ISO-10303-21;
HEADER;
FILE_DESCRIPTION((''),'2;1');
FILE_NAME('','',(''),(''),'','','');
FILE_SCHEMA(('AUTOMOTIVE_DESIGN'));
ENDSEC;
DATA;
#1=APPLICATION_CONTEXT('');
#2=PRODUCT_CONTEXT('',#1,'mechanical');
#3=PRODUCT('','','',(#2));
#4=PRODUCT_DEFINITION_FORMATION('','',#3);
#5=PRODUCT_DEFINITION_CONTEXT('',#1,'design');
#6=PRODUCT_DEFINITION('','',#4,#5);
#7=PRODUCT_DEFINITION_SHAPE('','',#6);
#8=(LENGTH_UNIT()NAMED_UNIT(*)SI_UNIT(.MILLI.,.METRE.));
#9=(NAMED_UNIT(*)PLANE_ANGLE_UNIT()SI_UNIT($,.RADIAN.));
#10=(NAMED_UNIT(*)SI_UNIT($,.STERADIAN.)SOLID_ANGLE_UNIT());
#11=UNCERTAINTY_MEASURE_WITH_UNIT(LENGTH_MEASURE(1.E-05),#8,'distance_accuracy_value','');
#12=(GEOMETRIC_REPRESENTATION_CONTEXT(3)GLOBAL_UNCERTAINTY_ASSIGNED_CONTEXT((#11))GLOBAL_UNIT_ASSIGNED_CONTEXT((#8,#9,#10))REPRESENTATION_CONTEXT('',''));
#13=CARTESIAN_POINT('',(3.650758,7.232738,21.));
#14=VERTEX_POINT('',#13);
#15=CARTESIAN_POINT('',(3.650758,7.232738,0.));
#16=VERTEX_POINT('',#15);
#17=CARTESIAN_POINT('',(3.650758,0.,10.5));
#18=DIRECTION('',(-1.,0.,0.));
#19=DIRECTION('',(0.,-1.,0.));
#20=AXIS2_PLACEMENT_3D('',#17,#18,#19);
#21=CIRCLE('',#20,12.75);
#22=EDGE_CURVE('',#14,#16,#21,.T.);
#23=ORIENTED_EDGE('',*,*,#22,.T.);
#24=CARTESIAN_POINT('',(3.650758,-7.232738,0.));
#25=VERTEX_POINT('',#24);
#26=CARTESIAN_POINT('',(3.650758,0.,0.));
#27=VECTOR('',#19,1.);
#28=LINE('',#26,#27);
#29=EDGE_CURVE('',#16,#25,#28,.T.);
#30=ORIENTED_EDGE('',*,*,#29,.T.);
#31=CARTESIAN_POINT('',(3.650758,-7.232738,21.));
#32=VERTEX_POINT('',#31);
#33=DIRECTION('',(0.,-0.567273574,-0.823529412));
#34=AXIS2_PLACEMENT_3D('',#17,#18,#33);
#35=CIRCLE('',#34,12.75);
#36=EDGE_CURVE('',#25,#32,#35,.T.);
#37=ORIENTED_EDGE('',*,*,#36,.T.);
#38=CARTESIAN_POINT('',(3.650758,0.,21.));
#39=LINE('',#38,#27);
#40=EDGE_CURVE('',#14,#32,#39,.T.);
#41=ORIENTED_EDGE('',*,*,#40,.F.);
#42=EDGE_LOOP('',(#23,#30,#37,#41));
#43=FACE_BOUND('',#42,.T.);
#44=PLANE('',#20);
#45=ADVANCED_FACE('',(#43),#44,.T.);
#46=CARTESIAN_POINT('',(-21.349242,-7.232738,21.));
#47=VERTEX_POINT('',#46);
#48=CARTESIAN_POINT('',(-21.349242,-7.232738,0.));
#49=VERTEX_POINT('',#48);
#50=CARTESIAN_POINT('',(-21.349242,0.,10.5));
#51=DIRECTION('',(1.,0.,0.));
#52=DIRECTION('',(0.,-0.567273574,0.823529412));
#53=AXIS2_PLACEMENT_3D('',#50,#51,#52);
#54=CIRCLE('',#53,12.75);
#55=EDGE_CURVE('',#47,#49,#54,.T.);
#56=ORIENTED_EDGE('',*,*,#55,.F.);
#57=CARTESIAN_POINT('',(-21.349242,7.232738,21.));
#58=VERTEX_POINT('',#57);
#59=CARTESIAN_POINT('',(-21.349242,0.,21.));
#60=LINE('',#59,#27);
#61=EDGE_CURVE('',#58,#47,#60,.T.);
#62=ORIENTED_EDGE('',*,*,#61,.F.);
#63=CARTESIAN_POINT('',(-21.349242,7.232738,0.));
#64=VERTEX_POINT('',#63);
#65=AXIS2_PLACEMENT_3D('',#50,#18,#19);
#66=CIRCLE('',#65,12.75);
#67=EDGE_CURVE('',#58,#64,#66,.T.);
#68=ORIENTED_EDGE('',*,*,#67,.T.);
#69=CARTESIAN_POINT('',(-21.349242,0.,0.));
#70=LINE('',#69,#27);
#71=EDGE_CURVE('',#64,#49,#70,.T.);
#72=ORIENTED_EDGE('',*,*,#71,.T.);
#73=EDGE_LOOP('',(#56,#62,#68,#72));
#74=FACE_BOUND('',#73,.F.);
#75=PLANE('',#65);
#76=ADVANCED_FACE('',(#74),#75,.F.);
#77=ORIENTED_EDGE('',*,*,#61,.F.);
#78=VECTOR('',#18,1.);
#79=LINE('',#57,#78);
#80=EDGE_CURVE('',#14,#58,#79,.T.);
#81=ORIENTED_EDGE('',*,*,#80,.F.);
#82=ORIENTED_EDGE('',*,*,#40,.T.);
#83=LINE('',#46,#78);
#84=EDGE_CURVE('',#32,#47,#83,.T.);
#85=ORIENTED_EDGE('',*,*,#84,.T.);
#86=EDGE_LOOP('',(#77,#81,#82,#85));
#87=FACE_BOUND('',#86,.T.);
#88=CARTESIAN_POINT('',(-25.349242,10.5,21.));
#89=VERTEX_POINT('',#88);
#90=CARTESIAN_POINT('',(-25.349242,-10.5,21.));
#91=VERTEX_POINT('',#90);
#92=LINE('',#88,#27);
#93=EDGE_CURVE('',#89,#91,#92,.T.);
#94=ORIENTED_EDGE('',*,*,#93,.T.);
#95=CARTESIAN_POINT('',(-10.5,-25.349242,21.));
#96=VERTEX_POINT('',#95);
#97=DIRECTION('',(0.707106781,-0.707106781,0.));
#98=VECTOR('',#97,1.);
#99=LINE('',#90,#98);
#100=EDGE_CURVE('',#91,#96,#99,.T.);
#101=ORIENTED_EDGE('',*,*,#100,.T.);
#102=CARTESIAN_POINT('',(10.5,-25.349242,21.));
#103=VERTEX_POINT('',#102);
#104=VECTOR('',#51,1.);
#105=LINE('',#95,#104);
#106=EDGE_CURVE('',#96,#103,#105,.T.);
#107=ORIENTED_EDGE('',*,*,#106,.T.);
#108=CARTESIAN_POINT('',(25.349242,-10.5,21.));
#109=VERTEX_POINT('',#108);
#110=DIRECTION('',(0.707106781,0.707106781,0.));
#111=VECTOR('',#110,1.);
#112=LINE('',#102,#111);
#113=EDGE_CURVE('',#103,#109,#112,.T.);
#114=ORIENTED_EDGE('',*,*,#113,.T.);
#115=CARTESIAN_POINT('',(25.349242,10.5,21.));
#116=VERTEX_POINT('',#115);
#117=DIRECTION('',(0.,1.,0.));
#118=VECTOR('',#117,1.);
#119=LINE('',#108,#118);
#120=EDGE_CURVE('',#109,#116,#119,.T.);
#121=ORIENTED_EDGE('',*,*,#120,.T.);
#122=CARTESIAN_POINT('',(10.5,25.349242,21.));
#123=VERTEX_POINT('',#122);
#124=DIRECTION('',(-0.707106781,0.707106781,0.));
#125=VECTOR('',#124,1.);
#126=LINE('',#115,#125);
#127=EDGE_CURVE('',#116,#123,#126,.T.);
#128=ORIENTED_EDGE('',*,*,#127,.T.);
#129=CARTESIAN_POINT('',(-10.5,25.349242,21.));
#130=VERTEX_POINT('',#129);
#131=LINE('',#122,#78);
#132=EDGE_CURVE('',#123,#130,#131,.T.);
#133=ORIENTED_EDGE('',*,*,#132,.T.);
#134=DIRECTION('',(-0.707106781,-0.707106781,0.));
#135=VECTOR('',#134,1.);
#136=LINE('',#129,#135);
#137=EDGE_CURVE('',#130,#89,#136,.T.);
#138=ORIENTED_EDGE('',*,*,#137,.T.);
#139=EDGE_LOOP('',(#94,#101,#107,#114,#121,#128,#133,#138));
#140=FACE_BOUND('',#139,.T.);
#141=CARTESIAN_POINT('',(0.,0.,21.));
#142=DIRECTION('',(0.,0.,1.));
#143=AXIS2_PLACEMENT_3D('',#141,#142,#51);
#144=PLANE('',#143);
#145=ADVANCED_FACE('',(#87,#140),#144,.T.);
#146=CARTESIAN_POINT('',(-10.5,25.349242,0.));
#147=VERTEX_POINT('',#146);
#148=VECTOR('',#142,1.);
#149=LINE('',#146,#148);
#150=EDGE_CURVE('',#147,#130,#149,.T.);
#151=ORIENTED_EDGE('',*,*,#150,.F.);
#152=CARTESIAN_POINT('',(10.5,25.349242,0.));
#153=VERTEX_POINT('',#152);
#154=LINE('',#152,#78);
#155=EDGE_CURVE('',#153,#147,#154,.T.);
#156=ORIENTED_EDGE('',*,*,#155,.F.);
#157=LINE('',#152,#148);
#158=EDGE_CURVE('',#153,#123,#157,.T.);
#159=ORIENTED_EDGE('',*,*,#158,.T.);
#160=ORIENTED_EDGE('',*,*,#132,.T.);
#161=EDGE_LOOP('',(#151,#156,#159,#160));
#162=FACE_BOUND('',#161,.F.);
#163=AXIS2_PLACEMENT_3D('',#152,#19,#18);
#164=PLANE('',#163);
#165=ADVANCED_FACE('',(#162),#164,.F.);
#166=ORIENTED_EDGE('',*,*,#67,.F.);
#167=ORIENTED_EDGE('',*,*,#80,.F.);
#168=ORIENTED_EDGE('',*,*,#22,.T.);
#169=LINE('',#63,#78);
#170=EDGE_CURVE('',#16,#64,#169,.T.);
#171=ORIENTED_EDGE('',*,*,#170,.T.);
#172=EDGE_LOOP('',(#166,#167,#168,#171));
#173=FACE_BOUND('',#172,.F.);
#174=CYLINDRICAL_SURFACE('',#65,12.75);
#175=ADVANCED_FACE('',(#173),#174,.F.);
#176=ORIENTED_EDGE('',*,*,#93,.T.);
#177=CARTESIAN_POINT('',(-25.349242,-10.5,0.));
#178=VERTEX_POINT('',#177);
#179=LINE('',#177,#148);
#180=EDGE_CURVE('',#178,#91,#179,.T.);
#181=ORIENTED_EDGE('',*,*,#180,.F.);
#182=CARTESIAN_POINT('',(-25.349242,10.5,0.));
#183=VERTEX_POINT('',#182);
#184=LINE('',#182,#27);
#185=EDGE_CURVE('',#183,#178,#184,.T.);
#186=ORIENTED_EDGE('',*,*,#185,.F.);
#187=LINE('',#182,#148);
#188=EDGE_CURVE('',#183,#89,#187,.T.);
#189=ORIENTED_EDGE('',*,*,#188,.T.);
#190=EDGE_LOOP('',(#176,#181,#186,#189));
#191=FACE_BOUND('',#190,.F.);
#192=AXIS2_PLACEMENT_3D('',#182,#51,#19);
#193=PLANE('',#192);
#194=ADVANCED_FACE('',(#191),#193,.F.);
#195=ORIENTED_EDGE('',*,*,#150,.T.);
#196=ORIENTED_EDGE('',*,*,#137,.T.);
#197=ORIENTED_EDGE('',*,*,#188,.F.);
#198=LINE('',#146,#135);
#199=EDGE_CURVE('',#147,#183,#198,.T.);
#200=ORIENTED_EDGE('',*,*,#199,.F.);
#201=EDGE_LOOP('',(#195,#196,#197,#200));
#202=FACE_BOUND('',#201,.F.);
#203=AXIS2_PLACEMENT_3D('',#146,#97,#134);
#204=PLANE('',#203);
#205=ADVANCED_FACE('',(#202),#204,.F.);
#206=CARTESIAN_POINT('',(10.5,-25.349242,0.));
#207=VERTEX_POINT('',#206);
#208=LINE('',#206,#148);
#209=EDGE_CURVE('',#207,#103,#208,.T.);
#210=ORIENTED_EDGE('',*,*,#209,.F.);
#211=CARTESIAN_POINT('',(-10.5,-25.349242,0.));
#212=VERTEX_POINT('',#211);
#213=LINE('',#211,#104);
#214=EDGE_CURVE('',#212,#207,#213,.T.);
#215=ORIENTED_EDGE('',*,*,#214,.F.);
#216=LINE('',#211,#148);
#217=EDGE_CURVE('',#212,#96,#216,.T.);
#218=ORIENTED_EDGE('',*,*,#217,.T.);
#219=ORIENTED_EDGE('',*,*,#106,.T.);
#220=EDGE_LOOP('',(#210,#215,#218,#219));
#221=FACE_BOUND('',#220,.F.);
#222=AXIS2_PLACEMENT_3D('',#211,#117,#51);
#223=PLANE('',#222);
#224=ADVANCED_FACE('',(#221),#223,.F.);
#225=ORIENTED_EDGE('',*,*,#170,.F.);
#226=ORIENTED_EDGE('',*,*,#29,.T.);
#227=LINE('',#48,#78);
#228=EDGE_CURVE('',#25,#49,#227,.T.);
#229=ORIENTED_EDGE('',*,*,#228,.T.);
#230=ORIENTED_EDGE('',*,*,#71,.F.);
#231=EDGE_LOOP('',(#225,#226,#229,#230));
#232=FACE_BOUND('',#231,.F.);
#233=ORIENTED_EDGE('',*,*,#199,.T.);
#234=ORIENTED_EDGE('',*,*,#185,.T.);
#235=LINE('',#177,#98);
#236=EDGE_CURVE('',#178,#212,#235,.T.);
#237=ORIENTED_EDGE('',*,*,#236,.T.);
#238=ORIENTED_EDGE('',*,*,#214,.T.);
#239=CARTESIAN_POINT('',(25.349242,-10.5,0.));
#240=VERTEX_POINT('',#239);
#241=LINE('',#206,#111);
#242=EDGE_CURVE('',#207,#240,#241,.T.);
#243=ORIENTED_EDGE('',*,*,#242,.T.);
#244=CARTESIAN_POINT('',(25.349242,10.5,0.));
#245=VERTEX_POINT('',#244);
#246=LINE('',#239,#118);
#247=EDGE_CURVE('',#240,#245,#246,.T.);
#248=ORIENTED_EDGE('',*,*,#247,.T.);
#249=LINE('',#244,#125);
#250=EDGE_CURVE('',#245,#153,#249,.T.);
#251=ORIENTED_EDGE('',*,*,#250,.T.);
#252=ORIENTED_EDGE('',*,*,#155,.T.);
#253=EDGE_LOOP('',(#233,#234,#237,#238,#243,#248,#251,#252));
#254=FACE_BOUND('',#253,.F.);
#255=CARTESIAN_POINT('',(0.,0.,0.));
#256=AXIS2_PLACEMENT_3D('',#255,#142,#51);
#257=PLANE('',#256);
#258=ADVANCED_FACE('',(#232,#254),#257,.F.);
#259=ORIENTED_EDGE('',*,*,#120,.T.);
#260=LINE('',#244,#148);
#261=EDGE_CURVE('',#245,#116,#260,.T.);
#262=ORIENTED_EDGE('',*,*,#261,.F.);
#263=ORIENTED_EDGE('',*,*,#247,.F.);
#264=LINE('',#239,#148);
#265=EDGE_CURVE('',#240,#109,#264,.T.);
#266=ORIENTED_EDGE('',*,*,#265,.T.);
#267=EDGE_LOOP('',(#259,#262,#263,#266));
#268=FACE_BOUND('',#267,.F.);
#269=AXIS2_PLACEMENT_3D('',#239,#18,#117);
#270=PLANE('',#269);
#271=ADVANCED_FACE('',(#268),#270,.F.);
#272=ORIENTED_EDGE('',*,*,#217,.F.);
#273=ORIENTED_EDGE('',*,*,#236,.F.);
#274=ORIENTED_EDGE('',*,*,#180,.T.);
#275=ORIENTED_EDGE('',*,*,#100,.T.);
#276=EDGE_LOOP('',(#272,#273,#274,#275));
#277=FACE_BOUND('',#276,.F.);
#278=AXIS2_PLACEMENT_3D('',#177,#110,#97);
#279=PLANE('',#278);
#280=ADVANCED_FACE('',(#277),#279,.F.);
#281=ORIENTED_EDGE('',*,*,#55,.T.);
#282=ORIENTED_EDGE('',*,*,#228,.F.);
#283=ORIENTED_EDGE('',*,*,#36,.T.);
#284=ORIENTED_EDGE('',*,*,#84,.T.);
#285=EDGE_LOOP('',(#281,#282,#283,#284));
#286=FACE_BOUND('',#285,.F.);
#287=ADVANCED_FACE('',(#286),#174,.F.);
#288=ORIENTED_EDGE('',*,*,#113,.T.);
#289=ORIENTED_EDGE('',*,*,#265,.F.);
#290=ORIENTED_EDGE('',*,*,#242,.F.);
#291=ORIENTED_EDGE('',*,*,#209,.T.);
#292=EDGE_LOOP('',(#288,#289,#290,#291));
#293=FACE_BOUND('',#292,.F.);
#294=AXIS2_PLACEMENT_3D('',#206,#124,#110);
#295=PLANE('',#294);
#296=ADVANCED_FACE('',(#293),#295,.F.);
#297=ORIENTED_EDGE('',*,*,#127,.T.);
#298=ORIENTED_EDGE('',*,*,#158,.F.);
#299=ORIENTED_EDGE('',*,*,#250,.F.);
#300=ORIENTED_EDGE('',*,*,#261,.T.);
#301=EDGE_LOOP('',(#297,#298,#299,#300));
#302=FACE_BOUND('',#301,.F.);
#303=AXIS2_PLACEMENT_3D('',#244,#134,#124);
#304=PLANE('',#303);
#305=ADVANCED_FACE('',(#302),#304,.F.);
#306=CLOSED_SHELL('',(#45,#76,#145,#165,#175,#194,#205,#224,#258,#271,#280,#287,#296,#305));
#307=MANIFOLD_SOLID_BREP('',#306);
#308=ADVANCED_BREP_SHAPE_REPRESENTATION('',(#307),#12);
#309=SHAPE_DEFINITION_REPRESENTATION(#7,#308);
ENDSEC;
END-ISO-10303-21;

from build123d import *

# Parameters (mm, degrees)
F0_W     = 25
F0_H     = 25
F1_DEPTH = 21
F3_START = -4
F2_R     = 12.75
F3_DEPTH = 25


with BuildPart() as f1:
    # F0 (on Top) → F1 (new body)
    with BuildSketch(Plane.XY):
        Polygon((25.3492424049, -10.5), (25.3492424049, 10.5), (10.5, 25.3492424049), (-10.5, 25.3492424049), (-25.3492424049, 10.5), (-25.3492424049, -10.5), (-10.5, -25.3492424049), (10.5, -25.3492424049), align=None)
        Rectangle(F0_W, F0_H, mode=Mode.SUBTRACT)
        Rectangle(F0_W, F0_H)
    extrude(amount=F1_DEPTH)

    # F2 (on face) → F3 (cut)
    with BuildSketch(Plane(origin=(-25.3492424049, 0, 0), x_dir=(0, -1, 0), z_dir=(-1, 0, 0)).offset(F3_START)):
        with Locations((0, 10.5)):
            Circle(F2_R)
    extrude(amount=-F3_DEPTH, mode=Mode.SUBTRACT)


solid = f1.part
